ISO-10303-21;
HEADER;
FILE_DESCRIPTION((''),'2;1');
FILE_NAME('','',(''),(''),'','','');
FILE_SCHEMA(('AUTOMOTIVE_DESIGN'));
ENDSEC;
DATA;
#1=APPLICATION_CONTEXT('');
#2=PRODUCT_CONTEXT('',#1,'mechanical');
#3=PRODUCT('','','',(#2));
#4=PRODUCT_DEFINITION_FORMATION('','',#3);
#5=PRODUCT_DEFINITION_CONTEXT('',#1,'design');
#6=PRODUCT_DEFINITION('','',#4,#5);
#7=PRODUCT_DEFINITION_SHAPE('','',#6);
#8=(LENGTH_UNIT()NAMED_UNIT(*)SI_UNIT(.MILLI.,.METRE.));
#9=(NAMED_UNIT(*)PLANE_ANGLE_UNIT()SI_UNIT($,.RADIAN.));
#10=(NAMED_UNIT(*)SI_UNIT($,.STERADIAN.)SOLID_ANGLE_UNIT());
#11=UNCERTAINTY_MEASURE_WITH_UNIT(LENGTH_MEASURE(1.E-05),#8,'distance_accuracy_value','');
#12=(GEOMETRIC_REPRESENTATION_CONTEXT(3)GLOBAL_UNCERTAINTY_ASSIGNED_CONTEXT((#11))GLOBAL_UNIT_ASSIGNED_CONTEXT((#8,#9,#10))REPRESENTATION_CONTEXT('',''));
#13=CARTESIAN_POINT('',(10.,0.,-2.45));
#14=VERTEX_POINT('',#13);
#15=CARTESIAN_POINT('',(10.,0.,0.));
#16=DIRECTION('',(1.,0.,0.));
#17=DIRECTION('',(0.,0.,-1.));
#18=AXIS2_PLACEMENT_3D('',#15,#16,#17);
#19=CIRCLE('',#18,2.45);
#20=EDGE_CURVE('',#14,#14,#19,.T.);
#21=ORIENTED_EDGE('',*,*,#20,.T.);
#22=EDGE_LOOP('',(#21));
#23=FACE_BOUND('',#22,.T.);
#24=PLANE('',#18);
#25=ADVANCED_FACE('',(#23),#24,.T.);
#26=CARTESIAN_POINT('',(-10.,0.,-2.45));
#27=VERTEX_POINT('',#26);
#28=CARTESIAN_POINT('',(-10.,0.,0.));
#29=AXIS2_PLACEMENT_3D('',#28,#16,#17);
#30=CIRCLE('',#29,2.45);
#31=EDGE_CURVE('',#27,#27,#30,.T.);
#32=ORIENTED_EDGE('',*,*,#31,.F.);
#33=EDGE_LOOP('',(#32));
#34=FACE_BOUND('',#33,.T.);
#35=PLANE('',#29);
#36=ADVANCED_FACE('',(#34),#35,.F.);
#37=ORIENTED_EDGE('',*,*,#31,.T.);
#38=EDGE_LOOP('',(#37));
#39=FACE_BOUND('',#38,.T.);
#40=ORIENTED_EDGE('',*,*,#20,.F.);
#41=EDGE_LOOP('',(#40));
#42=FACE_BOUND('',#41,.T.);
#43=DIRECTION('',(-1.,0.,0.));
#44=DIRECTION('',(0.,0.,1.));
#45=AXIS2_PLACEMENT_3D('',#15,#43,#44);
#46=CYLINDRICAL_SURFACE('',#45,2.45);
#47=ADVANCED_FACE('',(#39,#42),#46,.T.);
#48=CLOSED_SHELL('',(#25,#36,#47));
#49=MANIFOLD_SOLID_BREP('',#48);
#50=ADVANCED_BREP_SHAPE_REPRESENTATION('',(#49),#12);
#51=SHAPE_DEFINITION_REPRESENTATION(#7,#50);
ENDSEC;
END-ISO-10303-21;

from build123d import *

# Parameters (mm, degrees)
SKETCH1_R           = 2.45
BOSS_EXTRUDE1_DEPTH = 10


with BuildPart() as part:
    # Sketch1 → Boss-Extrude1 (new, symmetric)
    with BuildSketch(Plane(origin=(0, 0, 0), x_dir=(0, 0, -1), z_dir=(1, 0, 0))):
        Circle(SKETCH1_R)
    extrude(amount=BOSS_EXTRUDE1_DEPTH, both=True)


solid = part.part
